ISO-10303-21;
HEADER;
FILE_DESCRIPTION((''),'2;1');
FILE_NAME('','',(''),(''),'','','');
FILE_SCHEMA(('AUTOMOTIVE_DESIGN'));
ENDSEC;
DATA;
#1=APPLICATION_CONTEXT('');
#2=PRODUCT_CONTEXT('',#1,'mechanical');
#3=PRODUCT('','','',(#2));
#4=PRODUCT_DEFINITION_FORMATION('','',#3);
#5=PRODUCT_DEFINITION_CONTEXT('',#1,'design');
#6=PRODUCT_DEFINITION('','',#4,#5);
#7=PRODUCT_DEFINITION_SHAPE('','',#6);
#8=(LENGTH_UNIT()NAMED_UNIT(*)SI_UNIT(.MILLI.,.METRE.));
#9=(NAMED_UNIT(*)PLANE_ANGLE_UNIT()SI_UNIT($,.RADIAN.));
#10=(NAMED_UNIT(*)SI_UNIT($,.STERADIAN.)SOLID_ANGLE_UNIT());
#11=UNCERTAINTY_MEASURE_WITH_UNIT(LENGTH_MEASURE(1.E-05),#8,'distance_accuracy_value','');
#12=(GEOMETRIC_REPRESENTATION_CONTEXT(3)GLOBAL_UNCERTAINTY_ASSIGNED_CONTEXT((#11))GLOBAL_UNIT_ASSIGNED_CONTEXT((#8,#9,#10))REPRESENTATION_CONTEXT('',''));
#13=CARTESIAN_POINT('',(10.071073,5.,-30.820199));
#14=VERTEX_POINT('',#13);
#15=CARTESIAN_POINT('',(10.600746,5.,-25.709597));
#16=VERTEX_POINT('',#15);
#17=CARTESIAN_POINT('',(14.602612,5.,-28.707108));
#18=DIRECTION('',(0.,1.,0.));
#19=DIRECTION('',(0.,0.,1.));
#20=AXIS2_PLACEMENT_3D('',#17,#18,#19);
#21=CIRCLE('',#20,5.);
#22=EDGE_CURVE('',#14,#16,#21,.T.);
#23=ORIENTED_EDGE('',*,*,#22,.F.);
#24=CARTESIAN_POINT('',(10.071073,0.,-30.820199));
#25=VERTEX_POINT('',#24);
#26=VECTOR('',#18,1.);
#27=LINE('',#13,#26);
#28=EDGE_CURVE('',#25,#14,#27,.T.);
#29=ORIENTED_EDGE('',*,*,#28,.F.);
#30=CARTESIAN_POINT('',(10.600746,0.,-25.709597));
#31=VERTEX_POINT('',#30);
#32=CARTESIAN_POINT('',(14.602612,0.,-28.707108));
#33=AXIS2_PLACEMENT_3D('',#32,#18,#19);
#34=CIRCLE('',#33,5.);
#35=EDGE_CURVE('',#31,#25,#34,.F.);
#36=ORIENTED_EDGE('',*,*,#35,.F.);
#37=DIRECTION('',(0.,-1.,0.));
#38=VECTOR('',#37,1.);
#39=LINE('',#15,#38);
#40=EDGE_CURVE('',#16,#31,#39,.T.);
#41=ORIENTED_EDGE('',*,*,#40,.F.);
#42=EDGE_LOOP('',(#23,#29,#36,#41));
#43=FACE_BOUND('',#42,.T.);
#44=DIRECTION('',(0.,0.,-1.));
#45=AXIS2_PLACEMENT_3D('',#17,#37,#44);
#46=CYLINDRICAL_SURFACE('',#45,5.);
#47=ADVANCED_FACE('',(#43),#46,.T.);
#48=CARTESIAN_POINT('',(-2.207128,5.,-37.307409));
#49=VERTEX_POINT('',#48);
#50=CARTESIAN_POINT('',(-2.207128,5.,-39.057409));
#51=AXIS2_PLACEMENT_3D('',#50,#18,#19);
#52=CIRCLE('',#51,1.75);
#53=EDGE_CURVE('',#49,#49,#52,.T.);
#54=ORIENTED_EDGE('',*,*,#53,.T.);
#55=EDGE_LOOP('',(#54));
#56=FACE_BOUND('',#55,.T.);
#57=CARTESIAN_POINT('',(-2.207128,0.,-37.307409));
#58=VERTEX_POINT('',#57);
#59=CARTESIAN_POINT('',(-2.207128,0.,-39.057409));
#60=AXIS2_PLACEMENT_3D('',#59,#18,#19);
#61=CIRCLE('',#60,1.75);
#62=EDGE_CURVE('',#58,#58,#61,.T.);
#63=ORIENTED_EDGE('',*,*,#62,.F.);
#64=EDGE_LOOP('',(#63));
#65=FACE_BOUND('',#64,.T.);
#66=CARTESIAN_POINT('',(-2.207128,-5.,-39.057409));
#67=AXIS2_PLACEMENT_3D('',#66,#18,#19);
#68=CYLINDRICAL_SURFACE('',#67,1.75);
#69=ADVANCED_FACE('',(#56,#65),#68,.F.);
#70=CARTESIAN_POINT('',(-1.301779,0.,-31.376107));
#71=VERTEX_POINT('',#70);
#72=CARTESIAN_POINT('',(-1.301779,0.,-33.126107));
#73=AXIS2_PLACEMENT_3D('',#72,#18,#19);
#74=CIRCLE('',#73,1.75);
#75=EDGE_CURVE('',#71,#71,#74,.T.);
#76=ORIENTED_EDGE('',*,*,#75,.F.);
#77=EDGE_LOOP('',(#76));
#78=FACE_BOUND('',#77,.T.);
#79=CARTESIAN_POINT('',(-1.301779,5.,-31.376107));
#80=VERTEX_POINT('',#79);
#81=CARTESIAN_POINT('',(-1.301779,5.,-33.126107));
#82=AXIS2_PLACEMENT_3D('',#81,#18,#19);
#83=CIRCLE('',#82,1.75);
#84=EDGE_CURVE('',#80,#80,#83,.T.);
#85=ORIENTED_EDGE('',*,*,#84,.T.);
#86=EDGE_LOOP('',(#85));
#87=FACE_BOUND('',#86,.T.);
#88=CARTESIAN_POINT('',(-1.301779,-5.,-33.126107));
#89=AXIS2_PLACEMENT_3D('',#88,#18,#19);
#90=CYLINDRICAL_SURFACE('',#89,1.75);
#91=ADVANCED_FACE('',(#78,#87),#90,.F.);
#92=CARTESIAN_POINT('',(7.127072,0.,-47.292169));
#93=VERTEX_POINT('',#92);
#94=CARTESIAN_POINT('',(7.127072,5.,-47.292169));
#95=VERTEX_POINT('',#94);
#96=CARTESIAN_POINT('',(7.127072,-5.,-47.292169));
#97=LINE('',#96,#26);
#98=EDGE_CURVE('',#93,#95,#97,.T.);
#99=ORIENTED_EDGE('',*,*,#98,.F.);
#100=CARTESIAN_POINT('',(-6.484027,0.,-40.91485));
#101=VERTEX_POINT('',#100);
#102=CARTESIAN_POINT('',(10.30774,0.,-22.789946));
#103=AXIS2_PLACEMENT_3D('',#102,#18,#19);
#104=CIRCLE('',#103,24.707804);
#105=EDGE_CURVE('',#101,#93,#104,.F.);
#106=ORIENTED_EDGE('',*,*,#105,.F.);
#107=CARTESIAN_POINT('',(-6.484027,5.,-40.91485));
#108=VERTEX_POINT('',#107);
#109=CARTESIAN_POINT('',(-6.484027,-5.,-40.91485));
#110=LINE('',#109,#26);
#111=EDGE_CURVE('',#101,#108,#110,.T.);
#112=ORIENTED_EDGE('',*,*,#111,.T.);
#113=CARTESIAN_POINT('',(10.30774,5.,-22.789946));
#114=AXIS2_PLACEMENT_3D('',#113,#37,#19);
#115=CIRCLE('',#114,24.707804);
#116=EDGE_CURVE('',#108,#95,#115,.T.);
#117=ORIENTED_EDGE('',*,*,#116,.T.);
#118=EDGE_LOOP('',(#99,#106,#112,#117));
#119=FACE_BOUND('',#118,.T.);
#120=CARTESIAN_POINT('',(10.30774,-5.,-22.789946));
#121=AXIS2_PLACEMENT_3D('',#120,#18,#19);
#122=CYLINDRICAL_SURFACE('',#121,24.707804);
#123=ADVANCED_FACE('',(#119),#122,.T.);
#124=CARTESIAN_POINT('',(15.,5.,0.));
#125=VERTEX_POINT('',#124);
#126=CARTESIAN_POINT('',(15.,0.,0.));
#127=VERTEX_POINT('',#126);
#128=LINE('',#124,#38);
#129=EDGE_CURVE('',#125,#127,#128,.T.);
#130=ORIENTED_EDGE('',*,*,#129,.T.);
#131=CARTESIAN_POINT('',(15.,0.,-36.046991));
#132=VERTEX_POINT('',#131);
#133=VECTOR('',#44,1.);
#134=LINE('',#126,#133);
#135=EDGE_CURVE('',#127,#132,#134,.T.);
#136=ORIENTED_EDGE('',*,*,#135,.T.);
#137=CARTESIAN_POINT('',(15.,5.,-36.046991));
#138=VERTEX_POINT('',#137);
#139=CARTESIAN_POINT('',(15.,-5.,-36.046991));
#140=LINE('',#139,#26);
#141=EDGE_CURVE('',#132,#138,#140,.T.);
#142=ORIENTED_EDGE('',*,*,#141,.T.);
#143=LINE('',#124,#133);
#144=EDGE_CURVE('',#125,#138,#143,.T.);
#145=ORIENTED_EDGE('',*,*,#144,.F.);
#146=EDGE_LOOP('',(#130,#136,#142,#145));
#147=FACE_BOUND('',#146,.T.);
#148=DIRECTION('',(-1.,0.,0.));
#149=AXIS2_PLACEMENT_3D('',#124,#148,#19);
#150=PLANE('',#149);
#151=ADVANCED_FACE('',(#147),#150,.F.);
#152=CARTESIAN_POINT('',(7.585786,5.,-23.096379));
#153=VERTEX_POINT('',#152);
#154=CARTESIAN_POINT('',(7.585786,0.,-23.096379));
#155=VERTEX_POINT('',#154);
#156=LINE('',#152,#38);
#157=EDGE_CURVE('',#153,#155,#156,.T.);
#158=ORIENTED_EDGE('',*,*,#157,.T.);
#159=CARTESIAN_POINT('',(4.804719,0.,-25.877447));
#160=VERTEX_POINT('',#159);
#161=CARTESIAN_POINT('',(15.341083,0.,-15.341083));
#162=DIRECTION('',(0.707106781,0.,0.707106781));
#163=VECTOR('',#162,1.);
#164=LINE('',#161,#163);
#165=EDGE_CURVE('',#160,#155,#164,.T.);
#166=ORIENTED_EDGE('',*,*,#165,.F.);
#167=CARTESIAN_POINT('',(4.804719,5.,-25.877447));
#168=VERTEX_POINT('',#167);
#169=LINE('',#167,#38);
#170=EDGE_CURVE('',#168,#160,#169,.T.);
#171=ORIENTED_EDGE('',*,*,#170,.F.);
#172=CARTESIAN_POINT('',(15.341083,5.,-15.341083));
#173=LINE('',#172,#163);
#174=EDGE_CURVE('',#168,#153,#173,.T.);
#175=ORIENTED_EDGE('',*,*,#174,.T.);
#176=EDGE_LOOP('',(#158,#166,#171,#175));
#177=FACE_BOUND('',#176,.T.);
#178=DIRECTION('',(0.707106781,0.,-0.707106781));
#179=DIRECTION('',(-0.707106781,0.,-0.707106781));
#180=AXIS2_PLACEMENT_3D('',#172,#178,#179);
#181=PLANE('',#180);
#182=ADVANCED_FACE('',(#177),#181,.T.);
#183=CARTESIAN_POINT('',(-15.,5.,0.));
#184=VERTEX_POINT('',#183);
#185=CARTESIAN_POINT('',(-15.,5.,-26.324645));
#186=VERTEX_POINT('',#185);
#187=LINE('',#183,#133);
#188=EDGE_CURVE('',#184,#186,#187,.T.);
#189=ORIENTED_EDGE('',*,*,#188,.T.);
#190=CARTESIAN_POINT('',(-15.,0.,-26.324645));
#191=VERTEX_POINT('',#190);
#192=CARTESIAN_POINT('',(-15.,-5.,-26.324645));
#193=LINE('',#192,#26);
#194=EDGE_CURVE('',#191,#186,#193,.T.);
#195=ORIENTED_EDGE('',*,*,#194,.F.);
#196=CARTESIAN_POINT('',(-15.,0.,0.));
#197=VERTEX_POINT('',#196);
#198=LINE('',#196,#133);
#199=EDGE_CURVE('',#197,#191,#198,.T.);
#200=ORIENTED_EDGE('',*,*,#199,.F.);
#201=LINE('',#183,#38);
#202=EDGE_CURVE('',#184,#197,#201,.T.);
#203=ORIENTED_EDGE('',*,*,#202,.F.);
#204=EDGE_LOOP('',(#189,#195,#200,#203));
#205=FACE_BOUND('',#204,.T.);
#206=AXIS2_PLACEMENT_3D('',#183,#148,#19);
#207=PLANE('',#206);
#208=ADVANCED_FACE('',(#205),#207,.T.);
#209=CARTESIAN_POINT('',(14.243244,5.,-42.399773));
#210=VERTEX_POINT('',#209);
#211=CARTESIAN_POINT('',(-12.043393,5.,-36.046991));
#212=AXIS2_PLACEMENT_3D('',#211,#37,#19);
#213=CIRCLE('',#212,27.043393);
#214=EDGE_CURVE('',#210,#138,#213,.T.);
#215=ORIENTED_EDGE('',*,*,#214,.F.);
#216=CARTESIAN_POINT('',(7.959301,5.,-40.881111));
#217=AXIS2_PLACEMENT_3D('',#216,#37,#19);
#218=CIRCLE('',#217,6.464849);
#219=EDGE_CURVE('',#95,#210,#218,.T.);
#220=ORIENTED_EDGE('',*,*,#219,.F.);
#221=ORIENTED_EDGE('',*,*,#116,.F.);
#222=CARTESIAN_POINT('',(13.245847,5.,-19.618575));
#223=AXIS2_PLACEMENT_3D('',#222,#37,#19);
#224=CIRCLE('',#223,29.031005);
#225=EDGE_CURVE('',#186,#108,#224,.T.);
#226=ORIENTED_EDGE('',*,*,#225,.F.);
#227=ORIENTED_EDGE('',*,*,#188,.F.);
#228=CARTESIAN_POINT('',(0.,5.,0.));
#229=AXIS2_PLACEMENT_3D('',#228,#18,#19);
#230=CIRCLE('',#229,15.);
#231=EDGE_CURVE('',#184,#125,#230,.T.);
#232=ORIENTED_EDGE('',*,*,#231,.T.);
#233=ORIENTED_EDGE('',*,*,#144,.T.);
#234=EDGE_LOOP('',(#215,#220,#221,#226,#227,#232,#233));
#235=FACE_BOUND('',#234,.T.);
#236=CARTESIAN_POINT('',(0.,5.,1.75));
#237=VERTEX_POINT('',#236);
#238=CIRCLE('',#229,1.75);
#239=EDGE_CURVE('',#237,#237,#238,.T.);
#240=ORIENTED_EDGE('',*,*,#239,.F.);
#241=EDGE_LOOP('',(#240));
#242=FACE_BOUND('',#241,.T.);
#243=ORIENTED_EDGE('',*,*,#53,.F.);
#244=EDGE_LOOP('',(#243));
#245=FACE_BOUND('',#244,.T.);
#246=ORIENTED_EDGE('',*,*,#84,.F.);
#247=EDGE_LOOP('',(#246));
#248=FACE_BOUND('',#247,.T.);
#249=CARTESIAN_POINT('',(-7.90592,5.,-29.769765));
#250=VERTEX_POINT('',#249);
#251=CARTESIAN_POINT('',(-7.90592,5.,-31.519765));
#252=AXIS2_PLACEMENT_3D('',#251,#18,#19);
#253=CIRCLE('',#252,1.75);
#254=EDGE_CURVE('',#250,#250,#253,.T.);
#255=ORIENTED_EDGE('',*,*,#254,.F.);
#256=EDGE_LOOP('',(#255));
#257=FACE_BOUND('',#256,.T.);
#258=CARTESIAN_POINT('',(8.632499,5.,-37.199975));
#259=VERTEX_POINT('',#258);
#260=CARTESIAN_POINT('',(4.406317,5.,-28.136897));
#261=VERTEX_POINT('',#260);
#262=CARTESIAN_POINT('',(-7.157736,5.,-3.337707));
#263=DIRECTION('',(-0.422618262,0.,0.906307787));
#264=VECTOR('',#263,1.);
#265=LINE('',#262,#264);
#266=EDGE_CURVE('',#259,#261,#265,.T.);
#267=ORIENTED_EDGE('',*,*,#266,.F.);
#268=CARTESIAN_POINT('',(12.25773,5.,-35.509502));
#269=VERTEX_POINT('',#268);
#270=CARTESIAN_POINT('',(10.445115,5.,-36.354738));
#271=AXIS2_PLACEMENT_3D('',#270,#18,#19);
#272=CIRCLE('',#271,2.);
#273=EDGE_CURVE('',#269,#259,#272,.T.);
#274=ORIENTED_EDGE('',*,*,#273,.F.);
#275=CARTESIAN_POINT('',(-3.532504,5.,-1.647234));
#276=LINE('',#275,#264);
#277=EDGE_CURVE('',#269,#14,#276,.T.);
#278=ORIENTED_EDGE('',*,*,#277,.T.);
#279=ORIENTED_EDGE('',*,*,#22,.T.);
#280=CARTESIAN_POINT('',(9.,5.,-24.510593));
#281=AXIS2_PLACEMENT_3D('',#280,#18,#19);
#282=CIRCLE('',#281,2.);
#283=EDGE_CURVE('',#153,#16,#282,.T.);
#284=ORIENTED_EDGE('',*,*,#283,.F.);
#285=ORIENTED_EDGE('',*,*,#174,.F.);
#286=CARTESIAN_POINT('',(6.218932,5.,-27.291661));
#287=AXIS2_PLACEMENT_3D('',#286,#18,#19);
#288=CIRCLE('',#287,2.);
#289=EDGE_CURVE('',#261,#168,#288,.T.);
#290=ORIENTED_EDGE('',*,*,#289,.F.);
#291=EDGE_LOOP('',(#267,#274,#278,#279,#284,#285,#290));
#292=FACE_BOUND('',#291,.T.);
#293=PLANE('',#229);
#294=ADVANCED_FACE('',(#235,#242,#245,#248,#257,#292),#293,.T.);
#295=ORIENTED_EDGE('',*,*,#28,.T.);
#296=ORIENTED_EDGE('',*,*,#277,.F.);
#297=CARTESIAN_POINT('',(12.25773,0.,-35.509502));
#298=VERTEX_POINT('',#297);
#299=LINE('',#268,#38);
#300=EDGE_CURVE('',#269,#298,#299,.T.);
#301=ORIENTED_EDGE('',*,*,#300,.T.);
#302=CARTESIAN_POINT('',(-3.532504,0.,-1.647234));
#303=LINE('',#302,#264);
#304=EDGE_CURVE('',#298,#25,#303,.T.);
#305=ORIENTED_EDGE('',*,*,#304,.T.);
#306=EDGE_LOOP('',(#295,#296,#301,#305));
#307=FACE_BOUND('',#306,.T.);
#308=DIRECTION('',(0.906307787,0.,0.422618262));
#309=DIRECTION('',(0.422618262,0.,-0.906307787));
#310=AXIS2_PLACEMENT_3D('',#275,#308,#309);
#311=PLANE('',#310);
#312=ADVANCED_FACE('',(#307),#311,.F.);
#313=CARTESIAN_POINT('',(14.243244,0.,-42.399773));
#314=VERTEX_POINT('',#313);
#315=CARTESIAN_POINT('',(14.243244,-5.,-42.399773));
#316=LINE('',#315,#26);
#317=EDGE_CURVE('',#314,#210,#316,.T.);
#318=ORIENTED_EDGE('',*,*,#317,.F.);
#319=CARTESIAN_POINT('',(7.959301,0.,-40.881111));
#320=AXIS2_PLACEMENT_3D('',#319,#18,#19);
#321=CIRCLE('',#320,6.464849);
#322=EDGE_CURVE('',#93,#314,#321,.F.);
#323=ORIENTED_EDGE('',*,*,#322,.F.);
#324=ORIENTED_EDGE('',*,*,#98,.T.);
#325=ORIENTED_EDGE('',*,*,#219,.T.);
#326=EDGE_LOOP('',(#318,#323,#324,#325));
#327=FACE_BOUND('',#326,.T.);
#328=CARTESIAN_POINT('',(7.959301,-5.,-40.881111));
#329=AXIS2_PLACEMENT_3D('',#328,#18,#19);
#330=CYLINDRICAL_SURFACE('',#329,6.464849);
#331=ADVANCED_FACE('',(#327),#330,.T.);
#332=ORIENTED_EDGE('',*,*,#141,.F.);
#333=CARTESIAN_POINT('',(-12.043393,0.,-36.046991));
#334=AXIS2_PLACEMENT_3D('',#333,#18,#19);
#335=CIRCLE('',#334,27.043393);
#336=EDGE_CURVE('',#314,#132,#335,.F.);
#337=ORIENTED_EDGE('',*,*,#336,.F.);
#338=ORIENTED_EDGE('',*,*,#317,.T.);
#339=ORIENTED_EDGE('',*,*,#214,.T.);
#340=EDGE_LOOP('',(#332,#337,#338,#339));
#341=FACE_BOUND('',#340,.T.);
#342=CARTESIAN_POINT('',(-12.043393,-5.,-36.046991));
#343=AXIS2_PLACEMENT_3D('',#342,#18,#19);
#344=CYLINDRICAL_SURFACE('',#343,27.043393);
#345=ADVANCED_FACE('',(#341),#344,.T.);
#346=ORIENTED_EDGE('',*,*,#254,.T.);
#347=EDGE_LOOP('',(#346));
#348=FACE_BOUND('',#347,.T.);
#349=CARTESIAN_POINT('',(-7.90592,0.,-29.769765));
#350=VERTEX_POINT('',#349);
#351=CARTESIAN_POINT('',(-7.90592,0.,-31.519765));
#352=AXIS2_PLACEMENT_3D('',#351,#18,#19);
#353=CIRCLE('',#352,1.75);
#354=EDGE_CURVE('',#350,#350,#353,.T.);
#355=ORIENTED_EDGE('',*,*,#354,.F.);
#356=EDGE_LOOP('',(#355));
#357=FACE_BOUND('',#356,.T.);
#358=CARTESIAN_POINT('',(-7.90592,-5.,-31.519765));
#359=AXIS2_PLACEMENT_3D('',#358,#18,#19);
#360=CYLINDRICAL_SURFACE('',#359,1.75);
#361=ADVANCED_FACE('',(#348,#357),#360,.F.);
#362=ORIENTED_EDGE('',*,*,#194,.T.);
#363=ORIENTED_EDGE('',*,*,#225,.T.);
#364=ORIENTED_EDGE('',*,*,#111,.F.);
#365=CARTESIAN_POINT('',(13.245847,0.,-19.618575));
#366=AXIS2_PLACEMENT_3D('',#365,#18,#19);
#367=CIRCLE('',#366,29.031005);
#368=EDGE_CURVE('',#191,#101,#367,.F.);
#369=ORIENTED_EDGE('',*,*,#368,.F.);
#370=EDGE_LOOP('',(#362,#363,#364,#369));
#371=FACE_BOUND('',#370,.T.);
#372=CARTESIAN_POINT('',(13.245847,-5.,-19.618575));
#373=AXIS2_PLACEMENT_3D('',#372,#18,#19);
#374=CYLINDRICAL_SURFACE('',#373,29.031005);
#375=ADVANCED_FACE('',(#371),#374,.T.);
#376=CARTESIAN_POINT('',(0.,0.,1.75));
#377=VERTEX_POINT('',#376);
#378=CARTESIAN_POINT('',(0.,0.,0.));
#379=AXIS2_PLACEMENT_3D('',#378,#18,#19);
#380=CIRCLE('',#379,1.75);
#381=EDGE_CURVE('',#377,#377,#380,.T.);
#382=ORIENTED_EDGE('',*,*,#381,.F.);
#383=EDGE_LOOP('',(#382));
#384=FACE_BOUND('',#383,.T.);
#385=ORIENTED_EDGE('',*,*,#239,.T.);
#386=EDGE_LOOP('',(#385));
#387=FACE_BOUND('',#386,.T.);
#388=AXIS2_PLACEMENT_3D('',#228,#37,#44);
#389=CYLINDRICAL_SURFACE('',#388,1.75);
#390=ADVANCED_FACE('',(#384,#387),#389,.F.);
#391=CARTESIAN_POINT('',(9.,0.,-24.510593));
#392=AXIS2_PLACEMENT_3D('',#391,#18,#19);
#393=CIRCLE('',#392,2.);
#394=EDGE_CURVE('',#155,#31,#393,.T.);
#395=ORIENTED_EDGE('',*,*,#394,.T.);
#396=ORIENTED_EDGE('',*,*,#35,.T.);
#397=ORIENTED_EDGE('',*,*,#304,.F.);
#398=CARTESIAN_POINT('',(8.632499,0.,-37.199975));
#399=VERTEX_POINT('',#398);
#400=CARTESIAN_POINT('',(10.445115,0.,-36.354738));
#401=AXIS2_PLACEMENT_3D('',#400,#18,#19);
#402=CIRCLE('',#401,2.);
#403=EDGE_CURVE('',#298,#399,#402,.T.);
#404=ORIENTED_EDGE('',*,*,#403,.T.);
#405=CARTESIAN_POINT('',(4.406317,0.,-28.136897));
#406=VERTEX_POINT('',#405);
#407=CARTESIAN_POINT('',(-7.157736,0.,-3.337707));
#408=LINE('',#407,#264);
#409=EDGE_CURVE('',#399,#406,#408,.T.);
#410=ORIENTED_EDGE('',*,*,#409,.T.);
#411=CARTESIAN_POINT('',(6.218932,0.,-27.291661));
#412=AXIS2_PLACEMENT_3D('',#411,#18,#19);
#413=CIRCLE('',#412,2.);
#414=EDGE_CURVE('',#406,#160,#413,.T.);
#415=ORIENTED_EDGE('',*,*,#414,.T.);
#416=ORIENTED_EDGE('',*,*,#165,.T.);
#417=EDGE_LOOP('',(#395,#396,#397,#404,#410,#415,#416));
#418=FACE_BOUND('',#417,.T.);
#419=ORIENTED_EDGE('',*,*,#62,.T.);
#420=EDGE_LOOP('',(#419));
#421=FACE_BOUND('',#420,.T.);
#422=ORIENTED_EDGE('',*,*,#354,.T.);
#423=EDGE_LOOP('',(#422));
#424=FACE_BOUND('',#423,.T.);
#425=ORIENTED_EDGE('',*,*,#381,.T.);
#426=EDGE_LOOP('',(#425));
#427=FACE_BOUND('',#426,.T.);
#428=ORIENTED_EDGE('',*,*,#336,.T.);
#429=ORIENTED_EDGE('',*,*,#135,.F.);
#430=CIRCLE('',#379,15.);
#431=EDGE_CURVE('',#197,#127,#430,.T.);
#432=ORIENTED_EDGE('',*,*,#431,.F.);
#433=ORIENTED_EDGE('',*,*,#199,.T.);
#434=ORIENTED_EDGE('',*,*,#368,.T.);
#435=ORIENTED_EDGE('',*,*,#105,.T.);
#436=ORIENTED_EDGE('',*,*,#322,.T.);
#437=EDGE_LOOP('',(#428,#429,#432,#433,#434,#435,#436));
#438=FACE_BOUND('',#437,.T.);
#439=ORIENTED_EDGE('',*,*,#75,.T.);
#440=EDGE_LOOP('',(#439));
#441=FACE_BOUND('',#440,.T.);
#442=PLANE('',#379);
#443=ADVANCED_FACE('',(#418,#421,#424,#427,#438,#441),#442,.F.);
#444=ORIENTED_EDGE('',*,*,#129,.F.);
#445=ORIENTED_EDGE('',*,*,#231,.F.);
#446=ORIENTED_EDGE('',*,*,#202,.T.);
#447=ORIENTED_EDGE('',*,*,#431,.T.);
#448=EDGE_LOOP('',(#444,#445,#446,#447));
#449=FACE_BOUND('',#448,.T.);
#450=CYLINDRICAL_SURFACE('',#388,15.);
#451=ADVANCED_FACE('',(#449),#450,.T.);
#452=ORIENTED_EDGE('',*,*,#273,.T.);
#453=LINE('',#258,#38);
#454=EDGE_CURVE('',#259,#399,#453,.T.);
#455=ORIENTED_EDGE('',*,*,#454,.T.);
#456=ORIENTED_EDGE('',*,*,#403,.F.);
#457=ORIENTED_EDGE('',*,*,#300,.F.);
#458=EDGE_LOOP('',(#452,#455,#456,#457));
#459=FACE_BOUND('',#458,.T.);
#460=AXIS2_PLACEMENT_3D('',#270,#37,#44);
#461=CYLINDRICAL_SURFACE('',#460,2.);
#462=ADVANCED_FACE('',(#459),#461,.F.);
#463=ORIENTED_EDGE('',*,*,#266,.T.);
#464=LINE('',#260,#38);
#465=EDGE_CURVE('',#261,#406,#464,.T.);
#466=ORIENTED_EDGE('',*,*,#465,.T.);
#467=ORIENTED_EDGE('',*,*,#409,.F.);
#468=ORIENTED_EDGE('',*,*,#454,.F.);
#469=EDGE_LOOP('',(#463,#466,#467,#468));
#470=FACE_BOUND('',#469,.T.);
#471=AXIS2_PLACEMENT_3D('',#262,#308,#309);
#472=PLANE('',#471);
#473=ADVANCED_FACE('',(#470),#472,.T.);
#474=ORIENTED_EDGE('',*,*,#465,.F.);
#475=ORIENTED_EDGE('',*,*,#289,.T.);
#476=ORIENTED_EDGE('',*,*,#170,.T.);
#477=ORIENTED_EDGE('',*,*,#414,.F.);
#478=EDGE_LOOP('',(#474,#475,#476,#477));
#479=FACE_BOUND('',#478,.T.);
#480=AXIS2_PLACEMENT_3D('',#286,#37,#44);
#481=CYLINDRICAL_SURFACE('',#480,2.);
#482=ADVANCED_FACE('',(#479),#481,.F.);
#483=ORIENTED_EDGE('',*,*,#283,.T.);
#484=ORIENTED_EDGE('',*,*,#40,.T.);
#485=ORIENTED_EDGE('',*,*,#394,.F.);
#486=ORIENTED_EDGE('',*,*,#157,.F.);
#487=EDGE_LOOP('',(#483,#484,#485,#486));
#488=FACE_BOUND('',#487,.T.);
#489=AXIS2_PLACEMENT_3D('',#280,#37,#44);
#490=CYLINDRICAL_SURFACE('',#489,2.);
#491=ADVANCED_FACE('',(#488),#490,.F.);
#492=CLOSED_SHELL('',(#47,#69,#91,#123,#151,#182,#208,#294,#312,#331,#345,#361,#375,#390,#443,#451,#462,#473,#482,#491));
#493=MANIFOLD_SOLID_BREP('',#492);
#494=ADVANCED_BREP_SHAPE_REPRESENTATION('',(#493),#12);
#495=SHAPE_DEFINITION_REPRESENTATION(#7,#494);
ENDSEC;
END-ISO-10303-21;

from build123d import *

# Parameters (mm, degrees)
SKETCH1_R           = 1.75
BOSS_EXTRUDE1_DEPTH = 5
FILLET1_R           = 5
CUT_EXTRUDE1_DEPTH  = 10
SKETCH3_R           = 1.75
CUT_EXTRUDE2_DEPTH  = 10


with BuildPart() as part:
    # Sketch1 → Boss-Extrude1 (new body)
    with BuildSketch(Plane(origin=(0, 0, 0), x_dir=(1, 0, 0), z_dir=(0, 1, 0))):
        with BuildLine():
            Line((-15, 0), (-15, 50))
            ThreePointArc((-15, 50), (0, 65), (15, 50))
            Line((15, 50), (15, 0))
            ThreePointArc((15, 0), (0, -15), (-15, 0))
        make_face()
        Circle(SKETCH1_R, mode=Mode.SUBTRACT)
        with BuildLine():
            Line((12.25773045, 35.509501863), (8.623388818, 27.715631082))
            Line((8.623388818, 27.715631082), (10.414213562, 25.924806337))
            ThreePointArc((10.414213562, 25.924806337), (10.414213562, 23.096379213), (7.585786438, 23.096379213))
            Line((7.585786438, 23.096379213), (4.804718696, 25.877446954))
            ThreePointArc((4.804718696, 25.877446954), (4.249316753, 26.944364161), (4.406316685, 28.13689704))
            Line((4.406316685, 28.13689704), (8.632499302, 37.19997491))
            ThreePointArc((8.632499302, 37.19997491), (11.2903514, 38.167353961), (12.25773045, 35.509501863))
        make_face(mode=Mode.SUBTRACT)
    extrude(amount=BOSS_EXTRUDE1_DEPTH)

    # Fillet1
    fillet1_edges = [part.edges().sort_by_distance(p)[0] for p in [
        (8.623388818, 2.5, -27.715631082),
    ]]
    fillet(fillet1_edges, radius=FILLET1_R)

    # Sketch2 → Cut-Extrude1 (cut)
    with BuildSketch(Plane(origin=(0, 5, 0), x_dir=(1, 0, 0), z_dir=(0, 1, 0))):
        with BuildLine():
            Line((-15, 26.324644949), (-40.925594741, 69.238213195))
            Line((-40.925594741, 69.238213195), (-58.771967888, 111.080687023))
            Line((-58.771967888, 111.080687023), (39.28439299, 102.825794629))
            Line((39.28439299, 102.825794629), (15, 36.046990739))
            ThreePointArc((15, 36.046990739), (14.81014445, 39.245839168), (14.243243524, 42.399773179))
            ThreePointArc((14.243243524, 42.399773179), (11.621838426, 46.208407589), (7.127072402, 47.292169164))
            ThreePointArc((7.127072402, 47.292169164), (-0.175202385, 45.163669538), (-6.484026655, 40.9148504))
            ThreePointArc((-6.484026655, 40.9148504), (-11.826766868, 34.252893813), (-15, 26.324644949))
        make_face()
    extrude(amount=-CUT_EXTRUDE1_DEPTH, mode=Mode.SUBTRACT)

    # Sketch3 → Cut-Extrude2 (cut)
    with BuildSketch(Plane(origin=(0, 5, 0), x_dir=(1, 0, 0), z_dir=(0, 1, 0))):
        with Locations((-1.301778952, 33.126107378)):
            Circle(SKETCH3_R)
        with Locations((-2.207127715, 39.057409395)):
            Circle(SKETCH3_R)
        with Locations((-7.905919506, 31.519764857)):
            Circle(SKETCH3_R)
    extrude(amount=-CUT_EXTRUDE2_DEPTH, mode=Mode.SUBTRACT)


solid = part.part
